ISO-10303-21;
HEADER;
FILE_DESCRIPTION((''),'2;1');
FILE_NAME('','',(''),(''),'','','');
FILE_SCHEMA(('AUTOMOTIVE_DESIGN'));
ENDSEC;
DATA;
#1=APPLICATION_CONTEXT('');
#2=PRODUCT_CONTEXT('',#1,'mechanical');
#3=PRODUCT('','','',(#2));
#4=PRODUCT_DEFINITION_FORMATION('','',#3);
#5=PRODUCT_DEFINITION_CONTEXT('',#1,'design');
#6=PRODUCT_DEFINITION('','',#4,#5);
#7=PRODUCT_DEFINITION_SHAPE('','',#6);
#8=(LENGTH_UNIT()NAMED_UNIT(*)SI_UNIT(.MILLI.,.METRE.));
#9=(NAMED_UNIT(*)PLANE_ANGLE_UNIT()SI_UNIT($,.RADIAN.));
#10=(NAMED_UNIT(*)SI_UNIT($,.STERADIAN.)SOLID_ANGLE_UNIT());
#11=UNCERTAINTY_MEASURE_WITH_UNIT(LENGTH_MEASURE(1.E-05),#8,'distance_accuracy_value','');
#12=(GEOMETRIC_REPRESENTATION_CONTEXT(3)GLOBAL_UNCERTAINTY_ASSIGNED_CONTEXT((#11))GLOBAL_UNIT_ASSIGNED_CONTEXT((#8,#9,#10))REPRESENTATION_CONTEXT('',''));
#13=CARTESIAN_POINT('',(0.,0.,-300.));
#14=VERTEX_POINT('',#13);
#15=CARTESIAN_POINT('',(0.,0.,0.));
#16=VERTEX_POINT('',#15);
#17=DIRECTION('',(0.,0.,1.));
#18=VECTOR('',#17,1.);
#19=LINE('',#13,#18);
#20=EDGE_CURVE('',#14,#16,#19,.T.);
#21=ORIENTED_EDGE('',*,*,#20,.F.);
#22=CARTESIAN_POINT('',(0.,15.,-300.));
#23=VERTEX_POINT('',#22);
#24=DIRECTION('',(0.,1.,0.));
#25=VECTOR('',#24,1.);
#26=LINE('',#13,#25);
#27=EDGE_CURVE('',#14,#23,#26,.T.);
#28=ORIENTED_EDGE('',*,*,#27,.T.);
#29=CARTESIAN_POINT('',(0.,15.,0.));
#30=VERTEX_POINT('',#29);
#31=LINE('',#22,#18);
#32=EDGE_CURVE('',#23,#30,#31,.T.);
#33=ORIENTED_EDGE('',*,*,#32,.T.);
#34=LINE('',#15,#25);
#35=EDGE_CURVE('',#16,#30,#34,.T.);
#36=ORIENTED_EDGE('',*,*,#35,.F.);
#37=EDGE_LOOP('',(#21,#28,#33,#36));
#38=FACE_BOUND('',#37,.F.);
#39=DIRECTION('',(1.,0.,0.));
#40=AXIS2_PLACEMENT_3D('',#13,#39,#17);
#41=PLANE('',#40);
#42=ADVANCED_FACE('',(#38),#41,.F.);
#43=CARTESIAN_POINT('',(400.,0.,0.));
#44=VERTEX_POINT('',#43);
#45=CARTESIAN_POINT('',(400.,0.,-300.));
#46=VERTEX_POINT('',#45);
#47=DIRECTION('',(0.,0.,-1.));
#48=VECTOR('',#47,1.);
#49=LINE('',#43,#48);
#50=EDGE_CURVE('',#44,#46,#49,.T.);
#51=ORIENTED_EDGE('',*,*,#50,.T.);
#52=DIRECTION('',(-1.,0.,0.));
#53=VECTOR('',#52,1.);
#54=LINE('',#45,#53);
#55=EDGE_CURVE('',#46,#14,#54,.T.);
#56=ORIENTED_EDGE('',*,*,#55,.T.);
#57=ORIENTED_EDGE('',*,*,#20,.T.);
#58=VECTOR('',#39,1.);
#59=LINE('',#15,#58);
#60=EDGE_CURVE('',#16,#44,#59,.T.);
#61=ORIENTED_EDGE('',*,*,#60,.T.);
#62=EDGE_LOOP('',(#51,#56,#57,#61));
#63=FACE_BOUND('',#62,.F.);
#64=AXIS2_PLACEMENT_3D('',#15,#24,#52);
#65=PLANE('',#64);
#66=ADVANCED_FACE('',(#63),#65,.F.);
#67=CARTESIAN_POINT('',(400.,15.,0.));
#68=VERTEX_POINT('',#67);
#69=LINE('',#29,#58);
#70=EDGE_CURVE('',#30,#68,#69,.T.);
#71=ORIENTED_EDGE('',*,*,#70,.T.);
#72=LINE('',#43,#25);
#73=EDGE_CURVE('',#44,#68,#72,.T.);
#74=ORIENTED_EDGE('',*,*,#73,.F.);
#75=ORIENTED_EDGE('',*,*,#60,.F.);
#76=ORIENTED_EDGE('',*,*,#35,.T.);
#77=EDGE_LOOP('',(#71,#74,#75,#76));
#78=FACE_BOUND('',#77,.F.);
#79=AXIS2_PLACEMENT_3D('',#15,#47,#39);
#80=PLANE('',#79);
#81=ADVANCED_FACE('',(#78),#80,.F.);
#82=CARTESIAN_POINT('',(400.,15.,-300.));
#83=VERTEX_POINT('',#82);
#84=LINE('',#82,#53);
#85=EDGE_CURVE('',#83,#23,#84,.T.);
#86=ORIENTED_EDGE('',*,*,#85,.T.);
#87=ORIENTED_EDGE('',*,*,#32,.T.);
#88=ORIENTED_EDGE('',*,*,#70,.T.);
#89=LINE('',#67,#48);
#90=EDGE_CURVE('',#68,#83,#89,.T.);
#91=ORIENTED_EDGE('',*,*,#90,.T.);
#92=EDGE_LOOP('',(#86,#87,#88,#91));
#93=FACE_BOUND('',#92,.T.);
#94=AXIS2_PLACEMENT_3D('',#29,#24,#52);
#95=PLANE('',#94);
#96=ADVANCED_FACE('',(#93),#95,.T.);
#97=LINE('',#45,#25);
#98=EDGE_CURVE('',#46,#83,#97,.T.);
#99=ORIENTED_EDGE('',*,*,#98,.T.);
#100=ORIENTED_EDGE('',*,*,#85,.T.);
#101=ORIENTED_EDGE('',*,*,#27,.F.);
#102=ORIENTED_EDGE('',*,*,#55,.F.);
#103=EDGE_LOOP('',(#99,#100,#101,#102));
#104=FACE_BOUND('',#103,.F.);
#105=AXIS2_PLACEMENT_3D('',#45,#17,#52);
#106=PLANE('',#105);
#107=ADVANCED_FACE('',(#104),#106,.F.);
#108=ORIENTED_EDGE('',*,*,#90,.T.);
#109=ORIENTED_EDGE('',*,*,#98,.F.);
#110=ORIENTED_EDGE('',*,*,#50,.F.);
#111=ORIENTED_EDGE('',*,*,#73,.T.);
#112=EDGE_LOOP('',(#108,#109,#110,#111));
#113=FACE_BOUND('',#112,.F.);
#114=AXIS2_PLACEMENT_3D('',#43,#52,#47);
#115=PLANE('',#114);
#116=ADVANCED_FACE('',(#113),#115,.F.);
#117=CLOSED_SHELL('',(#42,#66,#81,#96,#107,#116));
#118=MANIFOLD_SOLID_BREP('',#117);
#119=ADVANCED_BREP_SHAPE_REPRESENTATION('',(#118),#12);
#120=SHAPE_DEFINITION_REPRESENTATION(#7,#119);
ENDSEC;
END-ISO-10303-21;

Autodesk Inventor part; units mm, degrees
ref_plane "YZ Plane" through (0, 0, 0) normal (1, 0, 0) x (0, 1, 0)
ref_plane "XZ Plane" through (0, 0, 0) normal (0, 1, 0) x (-1, 0, 0)
ref_plane "XY Plane" through (0, 0, 0) normal (0, 0, 1) x (1, 0, 0)
sketch "Sketch1" plane through (0, 0, 0) normal (0, 1, 0) x (-1, 0, 0)
  line L0 (0, 0) -> (-400, 0)
  line L1 (-400, 0) -> (-400, -300)
  line L2 (-400, -300) -> (0, -300)
  line L3 (0, -300) -> (0, 0)
  dimension "d0" = 400
  dimension "d1" = 300
extrude "Extrusion1" add sketch "Sketch1" along normal blind 15
properties part number "Floor"
